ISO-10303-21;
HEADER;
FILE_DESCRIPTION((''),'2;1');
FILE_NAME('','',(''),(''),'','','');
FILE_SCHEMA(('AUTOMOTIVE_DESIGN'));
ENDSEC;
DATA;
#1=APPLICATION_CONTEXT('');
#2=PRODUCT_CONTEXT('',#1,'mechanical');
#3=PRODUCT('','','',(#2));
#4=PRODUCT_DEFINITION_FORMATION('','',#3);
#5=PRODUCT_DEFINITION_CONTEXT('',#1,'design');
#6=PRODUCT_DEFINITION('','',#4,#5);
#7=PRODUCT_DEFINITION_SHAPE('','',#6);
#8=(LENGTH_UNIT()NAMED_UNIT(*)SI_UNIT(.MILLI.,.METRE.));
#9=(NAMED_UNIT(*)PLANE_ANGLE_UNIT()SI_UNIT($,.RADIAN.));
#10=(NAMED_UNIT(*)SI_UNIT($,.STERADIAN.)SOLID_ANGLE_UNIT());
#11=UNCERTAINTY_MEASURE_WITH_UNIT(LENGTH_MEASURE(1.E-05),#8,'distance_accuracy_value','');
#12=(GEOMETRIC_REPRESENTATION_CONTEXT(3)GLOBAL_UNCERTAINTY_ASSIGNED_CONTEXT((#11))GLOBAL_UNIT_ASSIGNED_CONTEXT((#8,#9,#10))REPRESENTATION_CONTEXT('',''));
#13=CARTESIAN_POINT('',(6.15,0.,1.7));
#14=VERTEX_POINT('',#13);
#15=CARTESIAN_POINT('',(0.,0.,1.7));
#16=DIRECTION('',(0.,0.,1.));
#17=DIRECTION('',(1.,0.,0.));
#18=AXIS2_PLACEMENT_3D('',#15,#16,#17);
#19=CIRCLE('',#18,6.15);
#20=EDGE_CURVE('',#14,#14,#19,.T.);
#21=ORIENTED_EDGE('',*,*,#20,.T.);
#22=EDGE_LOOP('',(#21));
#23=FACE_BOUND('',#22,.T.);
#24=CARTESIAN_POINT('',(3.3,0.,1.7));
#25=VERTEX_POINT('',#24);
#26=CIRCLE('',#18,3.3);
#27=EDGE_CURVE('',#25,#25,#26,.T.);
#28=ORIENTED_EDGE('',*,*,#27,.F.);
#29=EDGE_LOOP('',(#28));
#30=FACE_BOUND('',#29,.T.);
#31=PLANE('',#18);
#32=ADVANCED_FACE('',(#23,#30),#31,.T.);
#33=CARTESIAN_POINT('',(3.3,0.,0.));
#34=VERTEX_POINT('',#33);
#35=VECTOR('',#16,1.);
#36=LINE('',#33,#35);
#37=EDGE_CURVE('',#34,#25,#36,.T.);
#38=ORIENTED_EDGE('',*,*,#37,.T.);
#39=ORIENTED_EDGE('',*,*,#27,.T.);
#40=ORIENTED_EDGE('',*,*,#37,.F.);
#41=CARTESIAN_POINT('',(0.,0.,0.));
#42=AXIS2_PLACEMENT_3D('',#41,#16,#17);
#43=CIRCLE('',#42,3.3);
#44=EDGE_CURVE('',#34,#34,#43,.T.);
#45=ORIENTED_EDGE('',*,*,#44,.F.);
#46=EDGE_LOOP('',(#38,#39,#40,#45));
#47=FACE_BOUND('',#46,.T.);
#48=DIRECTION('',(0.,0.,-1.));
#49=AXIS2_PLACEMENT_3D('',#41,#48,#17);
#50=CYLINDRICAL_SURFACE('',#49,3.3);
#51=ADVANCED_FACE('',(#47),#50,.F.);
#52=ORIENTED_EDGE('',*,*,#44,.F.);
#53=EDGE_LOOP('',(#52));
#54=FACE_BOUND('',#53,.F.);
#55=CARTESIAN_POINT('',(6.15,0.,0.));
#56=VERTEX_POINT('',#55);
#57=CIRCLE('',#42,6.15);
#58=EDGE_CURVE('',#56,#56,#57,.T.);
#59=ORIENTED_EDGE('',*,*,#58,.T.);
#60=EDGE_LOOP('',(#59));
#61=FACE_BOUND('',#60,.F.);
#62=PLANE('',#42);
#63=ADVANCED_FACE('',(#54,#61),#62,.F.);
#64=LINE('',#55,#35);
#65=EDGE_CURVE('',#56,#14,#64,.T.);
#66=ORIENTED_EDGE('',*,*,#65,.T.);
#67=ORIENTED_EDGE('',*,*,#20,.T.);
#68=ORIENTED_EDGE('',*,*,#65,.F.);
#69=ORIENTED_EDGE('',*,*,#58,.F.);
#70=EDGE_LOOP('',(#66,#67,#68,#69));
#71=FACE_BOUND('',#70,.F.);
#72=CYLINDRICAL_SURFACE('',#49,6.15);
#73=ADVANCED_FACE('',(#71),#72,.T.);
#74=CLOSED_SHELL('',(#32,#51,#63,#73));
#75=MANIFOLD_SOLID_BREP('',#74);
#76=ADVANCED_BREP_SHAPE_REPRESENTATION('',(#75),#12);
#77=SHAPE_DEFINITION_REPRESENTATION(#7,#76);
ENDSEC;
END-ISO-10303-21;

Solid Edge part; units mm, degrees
sketch "Sketch1" plane through (0, 0, 0) normal (0, 0, 1) x (1, 0, 0)
  circle A0 centre (0, 0) radius 6.15
  circle A1 centre (0, 0) radius 3.3
  dimension "D1" = 12.3
  dimension "D2" = 6.6
extrude "Protrusion1" add sketch "Sketch1" along normal blind 1.7
